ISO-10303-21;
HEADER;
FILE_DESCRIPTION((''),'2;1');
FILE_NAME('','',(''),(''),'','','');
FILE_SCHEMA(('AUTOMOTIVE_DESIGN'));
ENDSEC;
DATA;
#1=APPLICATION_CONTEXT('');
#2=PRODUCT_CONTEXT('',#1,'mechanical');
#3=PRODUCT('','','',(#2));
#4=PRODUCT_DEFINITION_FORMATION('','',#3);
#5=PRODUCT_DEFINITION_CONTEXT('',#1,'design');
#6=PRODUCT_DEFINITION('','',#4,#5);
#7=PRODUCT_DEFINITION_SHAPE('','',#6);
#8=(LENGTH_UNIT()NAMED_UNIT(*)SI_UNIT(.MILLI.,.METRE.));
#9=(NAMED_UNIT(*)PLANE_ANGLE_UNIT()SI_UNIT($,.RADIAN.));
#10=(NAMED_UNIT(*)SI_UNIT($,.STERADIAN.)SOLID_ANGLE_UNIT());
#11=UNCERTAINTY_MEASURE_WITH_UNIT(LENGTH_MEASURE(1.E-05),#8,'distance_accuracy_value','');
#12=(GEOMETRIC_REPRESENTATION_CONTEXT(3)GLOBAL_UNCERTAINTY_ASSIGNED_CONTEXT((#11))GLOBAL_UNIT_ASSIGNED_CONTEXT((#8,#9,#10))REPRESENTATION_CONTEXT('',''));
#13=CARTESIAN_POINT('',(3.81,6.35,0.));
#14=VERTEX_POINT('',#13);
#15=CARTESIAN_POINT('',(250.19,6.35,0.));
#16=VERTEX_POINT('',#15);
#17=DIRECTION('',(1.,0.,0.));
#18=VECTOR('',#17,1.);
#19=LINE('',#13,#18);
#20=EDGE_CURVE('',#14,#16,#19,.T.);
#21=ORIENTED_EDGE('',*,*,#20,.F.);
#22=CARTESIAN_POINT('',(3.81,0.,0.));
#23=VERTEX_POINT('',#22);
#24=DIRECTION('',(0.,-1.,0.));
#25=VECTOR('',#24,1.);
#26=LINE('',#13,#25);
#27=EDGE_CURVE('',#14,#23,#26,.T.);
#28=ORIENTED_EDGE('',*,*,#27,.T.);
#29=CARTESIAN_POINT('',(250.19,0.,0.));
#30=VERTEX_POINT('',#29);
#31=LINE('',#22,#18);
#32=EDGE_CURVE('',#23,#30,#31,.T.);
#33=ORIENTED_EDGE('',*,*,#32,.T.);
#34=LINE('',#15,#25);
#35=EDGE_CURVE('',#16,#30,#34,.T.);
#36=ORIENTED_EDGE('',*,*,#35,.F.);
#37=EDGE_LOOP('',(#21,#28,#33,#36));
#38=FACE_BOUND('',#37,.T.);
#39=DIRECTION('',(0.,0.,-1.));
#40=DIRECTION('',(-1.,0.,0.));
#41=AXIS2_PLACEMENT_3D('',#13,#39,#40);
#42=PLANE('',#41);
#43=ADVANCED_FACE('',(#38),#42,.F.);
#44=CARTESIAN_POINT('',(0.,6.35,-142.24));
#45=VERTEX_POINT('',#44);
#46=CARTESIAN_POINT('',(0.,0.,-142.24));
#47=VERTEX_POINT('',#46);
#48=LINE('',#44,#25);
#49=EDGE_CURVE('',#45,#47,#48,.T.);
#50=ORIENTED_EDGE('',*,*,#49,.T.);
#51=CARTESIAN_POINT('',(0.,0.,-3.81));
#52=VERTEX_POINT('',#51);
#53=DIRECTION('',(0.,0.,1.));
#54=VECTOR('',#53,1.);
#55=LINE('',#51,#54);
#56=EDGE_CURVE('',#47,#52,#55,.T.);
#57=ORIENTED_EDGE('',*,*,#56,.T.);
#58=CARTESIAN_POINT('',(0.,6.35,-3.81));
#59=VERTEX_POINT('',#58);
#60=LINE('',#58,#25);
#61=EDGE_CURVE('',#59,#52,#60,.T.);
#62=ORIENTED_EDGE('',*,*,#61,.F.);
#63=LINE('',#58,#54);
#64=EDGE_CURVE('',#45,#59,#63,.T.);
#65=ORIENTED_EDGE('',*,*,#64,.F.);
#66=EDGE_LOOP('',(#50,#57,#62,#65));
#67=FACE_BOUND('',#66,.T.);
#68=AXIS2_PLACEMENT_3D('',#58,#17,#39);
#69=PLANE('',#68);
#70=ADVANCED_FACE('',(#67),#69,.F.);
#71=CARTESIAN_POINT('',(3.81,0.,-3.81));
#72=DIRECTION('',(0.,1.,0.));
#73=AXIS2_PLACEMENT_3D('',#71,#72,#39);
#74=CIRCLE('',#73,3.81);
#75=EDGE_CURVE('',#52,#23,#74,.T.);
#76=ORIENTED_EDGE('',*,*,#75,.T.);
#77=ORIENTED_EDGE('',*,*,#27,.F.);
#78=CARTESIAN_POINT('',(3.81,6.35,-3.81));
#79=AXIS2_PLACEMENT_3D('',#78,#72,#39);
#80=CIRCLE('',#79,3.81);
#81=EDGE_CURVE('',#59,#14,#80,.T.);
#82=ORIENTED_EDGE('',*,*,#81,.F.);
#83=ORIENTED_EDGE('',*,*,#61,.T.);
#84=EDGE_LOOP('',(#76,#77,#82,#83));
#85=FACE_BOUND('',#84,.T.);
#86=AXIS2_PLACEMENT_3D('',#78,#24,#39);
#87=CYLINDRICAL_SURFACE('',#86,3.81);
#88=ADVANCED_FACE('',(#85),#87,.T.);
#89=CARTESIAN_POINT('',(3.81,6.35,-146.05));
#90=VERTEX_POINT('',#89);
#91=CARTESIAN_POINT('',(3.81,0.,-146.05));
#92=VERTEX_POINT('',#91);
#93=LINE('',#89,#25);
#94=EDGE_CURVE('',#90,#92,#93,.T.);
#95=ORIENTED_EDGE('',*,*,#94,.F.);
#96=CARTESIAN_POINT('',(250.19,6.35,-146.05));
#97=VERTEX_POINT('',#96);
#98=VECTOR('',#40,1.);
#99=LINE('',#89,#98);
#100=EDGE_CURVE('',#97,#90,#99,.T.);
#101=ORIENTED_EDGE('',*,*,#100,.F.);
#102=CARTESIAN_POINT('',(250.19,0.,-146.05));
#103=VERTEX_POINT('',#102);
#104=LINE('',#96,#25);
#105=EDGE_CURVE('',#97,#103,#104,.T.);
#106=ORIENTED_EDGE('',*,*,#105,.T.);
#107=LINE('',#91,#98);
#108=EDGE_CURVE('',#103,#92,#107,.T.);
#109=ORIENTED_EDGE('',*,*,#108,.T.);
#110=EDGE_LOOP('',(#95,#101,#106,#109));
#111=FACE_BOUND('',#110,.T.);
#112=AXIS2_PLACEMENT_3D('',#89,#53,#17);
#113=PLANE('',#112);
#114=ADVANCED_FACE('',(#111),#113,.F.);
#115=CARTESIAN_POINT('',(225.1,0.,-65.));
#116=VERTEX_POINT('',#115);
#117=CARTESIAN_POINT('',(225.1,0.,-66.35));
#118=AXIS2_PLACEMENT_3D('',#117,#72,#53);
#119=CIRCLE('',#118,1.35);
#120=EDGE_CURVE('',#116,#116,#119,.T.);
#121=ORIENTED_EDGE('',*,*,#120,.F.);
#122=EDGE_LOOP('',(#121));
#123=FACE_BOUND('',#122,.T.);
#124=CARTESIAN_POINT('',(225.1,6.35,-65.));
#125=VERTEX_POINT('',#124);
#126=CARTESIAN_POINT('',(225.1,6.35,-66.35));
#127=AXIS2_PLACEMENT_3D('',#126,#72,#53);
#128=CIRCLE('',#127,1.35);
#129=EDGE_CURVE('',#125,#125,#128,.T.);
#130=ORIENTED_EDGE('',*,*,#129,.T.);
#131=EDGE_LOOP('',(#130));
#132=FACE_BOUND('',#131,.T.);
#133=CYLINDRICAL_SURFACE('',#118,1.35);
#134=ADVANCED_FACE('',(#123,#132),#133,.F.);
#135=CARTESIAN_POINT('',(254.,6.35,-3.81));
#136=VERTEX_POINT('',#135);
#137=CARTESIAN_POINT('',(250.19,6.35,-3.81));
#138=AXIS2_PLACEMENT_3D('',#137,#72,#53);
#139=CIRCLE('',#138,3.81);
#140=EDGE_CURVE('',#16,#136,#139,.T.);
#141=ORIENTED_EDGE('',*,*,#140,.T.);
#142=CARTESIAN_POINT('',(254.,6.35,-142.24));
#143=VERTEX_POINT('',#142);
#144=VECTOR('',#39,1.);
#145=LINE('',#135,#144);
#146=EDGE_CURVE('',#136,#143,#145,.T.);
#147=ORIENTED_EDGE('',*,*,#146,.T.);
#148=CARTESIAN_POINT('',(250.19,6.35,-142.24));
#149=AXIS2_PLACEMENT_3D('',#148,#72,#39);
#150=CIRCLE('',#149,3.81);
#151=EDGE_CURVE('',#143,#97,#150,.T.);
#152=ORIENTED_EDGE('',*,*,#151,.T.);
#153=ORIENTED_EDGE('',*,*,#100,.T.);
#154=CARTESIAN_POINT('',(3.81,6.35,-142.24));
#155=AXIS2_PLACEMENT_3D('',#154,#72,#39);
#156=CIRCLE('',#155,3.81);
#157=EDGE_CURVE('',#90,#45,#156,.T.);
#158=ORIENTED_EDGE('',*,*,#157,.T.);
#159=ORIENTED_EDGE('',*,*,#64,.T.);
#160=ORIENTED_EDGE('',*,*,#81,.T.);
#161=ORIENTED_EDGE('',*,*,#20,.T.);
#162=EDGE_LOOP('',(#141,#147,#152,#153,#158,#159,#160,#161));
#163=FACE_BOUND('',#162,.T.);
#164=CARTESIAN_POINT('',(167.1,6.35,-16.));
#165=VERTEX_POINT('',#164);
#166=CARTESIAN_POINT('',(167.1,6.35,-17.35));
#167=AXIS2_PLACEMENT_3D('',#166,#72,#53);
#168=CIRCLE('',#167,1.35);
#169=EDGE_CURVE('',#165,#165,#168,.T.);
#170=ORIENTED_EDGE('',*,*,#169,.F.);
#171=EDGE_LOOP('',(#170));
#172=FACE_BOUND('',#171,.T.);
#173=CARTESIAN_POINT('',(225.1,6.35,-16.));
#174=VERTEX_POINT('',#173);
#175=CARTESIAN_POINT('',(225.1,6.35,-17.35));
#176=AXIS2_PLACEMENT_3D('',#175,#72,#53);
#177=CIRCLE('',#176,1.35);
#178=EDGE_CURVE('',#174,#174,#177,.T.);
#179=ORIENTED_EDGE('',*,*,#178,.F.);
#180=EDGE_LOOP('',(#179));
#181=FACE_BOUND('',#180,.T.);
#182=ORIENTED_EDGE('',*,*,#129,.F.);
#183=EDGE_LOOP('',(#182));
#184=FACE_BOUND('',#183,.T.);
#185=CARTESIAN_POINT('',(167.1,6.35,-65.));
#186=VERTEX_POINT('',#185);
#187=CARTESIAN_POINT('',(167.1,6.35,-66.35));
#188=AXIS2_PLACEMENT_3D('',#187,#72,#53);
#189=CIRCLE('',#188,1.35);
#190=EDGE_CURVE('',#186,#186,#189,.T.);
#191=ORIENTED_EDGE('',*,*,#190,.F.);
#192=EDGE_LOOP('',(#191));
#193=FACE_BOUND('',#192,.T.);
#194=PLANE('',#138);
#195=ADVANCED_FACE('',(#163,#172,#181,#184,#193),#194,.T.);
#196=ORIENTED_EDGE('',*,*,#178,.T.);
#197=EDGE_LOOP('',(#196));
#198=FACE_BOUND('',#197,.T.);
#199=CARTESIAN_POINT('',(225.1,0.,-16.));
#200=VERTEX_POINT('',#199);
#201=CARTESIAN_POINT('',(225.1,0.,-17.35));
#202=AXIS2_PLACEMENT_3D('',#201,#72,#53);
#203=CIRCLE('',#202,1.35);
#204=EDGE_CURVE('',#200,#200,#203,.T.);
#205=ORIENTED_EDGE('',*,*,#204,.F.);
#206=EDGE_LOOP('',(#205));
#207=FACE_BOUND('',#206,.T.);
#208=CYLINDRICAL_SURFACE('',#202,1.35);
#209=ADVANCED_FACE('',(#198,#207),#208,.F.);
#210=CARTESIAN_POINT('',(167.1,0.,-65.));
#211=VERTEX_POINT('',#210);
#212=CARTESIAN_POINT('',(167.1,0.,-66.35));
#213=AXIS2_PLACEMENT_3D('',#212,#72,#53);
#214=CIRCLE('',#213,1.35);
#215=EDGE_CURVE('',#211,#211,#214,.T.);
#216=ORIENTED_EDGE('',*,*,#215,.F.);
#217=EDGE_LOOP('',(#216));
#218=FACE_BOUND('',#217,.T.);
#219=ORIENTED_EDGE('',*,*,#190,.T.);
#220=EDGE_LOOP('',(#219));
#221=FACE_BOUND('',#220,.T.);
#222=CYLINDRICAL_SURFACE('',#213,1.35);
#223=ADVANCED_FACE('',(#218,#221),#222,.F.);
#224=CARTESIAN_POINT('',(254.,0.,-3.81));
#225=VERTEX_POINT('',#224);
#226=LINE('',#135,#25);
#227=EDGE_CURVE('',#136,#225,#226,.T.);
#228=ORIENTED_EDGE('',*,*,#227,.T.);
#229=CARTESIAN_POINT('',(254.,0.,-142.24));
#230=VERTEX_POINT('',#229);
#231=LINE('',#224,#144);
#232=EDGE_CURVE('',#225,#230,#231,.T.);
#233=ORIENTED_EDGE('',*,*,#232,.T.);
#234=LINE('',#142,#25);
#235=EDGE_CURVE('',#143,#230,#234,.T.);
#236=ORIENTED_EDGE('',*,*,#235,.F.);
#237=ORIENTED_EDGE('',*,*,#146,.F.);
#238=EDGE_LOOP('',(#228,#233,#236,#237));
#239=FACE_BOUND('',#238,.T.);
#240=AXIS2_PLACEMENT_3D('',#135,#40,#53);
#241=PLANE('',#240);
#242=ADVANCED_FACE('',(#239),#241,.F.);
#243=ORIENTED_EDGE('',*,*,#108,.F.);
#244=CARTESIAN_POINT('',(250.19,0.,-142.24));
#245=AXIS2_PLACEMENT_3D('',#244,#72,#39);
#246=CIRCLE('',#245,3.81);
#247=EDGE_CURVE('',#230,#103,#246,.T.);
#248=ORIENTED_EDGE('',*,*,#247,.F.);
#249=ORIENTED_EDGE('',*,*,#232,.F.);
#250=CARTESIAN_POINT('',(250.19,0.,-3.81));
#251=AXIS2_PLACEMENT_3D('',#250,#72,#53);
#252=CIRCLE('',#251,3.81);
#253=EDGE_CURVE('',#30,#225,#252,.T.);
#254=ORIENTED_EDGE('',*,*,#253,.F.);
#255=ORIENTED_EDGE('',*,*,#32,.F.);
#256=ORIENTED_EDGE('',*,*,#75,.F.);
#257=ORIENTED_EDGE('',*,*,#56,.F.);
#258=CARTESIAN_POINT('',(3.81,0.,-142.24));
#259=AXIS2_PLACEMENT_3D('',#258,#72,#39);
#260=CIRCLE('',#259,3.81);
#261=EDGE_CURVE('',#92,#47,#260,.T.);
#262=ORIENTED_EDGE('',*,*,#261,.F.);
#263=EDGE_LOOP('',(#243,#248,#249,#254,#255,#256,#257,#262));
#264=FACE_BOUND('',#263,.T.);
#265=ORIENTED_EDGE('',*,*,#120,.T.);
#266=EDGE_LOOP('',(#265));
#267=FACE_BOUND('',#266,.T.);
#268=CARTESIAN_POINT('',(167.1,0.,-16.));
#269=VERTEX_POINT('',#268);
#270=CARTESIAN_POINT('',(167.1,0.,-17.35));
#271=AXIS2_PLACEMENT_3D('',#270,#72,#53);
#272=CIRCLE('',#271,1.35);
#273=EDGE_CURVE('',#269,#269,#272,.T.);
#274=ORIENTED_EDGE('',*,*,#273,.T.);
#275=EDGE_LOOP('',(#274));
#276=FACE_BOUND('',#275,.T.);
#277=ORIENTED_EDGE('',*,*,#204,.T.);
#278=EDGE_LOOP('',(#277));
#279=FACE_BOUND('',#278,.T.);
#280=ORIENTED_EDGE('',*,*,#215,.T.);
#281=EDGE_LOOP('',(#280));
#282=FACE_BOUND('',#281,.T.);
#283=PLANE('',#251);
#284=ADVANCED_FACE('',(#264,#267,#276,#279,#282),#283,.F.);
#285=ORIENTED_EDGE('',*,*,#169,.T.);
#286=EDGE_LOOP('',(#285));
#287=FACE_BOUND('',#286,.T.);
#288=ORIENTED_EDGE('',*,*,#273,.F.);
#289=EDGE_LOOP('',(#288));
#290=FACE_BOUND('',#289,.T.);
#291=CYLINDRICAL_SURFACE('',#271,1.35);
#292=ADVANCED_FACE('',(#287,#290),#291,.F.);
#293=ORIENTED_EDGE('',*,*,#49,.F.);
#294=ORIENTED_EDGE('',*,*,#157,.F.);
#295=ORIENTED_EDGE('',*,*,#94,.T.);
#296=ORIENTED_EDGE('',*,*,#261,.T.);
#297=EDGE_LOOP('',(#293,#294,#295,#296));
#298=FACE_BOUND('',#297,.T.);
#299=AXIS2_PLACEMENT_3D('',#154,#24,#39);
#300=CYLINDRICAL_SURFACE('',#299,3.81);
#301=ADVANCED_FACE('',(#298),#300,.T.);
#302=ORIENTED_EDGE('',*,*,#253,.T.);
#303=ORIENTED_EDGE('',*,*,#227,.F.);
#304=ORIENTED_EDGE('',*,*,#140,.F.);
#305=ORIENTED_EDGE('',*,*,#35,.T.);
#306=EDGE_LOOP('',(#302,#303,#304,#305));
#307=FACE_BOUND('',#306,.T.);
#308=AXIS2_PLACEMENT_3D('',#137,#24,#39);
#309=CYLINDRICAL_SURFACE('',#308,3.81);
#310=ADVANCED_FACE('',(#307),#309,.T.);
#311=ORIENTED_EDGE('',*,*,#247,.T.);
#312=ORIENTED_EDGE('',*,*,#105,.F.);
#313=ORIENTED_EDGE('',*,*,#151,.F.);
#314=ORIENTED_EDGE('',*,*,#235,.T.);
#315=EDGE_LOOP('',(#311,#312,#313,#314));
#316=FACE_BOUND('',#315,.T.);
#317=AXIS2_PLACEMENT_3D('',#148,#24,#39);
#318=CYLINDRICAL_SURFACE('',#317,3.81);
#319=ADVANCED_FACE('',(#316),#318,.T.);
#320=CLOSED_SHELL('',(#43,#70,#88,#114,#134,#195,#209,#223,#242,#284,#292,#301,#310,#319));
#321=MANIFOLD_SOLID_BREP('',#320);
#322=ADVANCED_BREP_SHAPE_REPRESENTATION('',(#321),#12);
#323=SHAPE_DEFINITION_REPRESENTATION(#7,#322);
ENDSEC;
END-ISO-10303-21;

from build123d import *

# Parameters (mm, degrees)
BOSS_EXTRUDE1_DEPTH = 6.35
SKETCH2_R           = 1.35
CUT_EXTRUDE1_DEPTH  = 294.064711284


with BuildPart() as part:
    # Sketch1 → Boss-Extrude1 (new body)
    with BuildSketch(Plane(origin=(0, 0, 0), x_dir=(1, 0, 0), z_dir=(0, 1, 0))):
        with BuildLine():
            Line((3.81, 0), (250.19, 0))
            ThreePointArc((250.19, 0), (252.884076836, 1.115923164), (254, 3.81))
            Line((254, 3.81), (254, 142.24))
            ThreePointArc((254, 142.24), (252.884076836, 144.934076836), (250.19, 146.05))
            Line((250.19, 146.05), (3.81, 146.05))
            ThreePointArc((3.81, 146.05), (1.115923164, 144.934076836), (0, 142.24))
            Line((0, 142.24), (0, 3.81))
            ThreePointArc((0, 3.81), (1.115923164, 1.115923164), (3.81, 0))
        make_face()
    extrude(amount=BOSS_EXTRUDE1_DEPTH)

    # Sketch2 → Cut-Extrude1 (cut, through all)
    with BuildSketch(Plane(origin=(0, 6.35, 0), x_dir=(1, 0, 0), z_dir=(0, 1, 0))):
        with Locations(Location((167.1, 17.35, 0), (0, 0, 270))):
            Circle(SKETCH2_R)
        with Locations(Location((167.1, 66.35, 0), (0, 0, 270))):
            Circle(SKETCH2_R)
        with Locations(Location((225.1, 17.35, 0), (0, 0, 270))):
            Circle(SKETCH2_R)
        with Locations(Location((225.1, 66.35, 0), (0, 0, 270))):
            Circle(SKETCH2_R)
    extrude(amount=-CUT_EXTRUDE1_DEPTH, mode=Mode.SUBTRACT)


solid = part.part
